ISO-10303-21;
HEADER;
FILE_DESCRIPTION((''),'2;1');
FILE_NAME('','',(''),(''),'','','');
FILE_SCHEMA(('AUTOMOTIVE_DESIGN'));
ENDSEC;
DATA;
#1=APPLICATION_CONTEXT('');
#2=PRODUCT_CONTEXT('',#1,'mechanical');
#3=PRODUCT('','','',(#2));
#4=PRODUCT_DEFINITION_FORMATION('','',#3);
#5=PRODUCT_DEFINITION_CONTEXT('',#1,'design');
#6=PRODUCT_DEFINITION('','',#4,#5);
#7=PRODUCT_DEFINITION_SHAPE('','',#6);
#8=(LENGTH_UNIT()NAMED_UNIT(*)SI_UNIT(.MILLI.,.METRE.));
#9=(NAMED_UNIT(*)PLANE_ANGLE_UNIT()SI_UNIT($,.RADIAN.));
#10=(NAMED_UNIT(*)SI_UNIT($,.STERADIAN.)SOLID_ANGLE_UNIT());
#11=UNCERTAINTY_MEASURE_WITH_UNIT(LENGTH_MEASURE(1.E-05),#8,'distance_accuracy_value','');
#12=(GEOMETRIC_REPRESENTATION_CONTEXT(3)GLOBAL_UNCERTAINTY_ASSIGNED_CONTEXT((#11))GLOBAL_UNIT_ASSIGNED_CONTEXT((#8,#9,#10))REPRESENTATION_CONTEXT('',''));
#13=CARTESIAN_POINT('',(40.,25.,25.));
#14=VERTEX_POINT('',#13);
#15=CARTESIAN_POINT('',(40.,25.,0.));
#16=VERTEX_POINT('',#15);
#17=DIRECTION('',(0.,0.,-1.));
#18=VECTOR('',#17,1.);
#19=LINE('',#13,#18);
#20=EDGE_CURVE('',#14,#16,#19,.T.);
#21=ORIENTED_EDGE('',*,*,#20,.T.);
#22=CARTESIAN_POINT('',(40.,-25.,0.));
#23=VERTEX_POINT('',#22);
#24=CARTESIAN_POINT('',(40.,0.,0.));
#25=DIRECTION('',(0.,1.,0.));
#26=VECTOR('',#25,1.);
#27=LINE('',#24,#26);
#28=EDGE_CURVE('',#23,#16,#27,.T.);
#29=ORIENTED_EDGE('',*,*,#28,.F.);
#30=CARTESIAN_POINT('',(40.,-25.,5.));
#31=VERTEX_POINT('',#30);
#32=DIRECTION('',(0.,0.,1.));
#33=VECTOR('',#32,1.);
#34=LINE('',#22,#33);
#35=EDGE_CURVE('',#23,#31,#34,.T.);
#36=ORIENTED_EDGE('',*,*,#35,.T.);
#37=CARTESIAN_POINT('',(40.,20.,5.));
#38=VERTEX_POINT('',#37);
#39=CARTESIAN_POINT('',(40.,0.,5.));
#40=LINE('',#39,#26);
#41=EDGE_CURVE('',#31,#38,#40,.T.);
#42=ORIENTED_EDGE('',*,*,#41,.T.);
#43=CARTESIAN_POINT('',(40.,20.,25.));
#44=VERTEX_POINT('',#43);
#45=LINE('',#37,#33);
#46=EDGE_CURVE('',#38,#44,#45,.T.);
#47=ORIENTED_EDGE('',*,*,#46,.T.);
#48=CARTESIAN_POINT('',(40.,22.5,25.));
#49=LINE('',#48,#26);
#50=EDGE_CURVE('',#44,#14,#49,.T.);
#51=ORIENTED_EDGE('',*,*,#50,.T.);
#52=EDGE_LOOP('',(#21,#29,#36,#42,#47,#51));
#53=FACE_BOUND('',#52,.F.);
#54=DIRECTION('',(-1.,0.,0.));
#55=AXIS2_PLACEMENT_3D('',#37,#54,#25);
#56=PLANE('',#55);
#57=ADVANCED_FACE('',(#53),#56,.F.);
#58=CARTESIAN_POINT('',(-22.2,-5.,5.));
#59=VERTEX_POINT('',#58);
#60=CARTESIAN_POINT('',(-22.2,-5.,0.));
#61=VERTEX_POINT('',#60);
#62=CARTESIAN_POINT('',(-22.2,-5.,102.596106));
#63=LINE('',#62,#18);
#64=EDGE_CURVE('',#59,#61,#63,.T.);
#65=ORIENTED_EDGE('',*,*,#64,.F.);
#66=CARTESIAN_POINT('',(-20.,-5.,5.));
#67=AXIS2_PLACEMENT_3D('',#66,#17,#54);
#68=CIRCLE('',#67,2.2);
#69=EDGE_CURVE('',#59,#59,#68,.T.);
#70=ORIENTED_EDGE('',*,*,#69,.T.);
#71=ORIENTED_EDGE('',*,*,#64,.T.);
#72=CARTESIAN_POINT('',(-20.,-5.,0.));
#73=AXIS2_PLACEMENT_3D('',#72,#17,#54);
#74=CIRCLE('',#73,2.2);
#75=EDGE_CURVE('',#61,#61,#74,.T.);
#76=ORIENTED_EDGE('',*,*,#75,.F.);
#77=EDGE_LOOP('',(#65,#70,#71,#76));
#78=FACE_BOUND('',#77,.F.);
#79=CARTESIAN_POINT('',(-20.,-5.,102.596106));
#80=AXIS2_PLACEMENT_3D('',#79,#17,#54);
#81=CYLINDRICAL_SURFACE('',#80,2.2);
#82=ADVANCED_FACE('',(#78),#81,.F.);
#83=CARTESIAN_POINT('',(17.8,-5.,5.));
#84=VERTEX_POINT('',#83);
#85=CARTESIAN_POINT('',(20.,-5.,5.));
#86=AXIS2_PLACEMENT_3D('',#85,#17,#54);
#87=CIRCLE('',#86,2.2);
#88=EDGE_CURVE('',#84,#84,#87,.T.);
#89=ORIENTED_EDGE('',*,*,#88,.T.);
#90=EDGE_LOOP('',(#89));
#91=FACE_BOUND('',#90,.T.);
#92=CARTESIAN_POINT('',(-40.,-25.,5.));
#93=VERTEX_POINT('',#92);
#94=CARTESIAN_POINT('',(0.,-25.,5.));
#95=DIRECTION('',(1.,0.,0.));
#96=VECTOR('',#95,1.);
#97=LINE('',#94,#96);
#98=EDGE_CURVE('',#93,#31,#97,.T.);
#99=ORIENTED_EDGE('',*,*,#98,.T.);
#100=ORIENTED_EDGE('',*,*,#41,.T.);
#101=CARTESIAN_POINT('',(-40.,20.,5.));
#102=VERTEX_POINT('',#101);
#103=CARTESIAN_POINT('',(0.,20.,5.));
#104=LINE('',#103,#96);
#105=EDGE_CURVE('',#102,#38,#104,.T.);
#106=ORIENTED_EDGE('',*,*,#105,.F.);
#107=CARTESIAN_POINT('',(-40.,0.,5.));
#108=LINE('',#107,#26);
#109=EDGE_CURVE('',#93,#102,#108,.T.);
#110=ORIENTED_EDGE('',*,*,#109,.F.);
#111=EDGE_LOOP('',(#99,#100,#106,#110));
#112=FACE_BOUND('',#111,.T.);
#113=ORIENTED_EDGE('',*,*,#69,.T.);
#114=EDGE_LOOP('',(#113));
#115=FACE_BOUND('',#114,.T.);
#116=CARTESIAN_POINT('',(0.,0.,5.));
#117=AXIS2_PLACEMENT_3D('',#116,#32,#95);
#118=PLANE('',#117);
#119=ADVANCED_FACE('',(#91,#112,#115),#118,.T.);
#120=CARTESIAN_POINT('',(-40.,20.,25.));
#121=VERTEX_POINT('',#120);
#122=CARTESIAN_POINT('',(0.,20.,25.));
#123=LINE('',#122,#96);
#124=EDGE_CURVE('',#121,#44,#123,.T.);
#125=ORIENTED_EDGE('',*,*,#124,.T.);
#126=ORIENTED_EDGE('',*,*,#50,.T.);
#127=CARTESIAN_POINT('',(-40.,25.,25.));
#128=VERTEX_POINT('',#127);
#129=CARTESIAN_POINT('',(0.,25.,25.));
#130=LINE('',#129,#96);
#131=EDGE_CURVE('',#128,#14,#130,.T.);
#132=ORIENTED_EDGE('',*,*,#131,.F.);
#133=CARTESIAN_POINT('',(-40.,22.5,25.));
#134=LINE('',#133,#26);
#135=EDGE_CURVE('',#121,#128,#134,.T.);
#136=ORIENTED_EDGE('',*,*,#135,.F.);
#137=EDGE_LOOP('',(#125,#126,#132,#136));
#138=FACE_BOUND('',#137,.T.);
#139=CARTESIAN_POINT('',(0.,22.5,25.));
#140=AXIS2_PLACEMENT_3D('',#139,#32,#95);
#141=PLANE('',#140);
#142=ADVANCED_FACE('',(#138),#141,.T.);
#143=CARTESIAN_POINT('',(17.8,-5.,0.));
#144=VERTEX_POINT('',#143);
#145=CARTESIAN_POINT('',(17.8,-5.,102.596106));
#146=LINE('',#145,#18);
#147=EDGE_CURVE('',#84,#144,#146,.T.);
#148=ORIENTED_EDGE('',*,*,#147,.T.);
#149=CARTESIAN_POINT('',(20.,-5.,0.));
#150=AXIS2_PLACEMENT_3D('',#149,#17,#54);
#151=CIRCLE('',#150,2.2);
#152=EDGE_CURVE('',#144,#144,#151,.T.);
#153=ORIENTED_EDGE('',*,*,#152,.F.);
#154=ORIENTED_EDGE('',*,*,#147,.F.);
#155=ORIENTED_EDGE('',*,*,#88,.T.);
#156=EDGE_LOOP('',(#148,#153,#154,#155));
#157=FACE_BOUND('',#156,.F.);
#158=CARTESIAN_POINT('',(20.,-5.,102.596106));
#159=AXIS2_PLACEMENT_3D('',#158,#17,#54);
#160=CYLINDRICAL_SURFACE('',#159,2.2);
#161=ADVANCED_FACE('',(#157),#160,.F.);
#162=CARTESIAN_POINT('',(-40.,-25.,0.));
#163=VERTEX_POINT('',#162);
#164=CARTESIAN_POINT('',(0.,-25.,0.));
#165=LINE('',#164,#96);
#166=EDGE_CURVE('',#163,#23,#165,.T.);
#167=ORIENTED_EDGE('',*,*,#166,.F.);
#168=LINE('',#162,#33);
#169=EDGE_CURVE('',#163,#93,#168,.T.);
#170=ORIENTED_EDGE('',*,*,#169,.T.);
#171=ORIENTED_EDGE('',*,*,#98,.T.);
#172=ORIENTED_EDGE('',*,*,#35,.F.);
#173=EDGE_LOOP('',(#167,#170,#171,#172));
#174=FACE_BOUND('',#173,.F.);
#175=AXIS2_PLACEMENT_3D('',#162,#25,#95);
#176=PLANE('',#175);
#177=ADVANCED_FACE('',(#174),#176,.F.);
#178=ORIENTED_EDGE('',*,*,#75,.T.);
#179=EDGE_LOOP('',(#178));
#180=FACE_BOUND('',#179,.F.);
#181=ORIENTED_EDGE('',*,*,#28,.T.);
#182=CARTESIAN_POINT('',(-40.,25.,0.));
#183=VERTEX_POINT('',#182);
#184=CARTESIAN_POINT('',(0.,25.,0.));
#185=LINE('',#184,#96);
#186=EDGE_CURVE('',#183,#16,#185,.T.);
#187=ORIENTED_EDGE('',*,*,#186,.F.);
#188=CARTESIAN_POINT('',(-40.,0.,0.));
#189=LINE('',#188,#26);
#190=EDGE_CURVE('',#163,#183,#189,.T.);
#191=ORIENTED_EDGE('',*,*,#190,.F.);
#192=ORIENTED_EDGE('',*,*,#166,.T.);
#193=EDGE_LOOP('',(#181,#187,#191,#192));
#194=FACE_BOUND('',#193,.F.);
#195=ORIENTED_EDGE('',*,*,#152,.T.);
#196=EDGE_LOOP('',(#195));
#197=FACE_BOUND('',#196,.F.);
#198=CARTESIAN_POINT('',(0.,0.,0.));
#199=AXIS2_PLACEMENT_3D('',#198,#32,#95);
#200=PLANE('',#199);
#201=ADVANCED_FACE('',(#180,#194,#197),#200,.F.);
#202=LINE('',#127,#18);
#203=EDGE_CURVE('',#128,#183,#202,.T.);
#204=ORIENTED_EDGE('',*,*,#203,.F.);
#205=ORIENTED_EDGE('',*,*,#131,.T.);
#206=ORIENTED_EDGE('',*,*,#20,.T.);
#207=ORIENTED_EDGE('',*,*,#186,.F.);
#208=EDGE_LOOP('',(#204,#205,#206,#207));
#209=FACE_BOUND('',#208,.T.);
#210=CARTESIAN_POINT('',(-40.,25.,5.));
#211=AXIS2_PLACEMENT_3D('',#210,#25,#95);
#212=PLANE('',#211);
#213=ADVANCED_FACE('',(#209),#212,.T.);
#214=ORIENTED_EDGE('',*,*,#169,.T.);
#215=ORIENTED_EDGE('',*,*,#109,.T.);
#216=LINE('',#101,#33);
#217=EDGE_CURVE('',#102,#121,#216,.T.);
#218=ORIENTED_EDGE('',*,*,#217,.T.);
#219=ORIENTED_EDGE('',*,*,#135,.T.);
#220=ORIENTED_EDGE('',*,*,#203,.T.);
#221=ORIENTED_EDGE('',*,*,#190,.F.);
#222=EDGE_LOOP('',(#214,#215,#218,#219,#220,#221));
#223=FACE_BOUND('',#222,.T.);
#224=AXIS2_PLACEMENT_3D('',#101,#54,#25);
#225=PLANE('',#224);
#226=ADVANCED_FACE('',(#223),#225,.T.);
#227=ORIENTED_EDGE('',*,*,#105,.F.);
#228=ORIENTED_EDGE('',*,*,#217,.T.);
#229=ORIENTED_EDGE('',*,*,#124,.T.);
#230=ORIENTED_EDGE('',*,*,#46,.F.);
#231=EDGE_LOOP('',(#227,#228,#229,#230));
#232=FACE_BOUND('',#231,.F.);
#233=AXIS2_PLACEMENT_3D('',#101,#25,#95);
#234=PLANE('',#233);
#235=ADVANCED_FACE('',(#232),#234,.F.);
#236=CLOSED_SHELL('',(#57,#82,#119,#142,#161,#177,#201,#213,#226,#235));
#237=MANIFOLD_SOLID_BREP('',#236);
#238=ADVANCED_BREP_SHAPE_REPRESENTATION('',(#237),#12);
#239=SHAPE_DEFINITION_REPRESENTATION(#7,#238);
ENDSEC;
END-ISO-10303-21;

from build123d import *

# Parameters (mm, degrees)
F0_W     = 80
F0_H     = 50
F1_DEPTH = 5
F2_W     = 80
F2_H     = 5
F3_DEPTH = 20
F5_D     = 4.4


with BuildPart() as f1:
    # F0 (on Top) → F1 (new body)
    with BuildSketch(Plane.XY):
        Rectangle(F0_W, F0_H)
    extrude(amount=F1_DEPTH)

    # F2 (on face) → F3 (join)
    with BuildSketch(Plane.XY.offset(5)):
        with Locations((0, 22.5)):
            Rectangle(F2_W, F2_H)
    extrude(amount=F3_DEPTH)

    # F5 (through all)
    with Locations(Plane.XY.offset(5)):
        with Locations((-20, -5), (20, -5)):
            Hole(F5_D / 2)


solid = f1.part
